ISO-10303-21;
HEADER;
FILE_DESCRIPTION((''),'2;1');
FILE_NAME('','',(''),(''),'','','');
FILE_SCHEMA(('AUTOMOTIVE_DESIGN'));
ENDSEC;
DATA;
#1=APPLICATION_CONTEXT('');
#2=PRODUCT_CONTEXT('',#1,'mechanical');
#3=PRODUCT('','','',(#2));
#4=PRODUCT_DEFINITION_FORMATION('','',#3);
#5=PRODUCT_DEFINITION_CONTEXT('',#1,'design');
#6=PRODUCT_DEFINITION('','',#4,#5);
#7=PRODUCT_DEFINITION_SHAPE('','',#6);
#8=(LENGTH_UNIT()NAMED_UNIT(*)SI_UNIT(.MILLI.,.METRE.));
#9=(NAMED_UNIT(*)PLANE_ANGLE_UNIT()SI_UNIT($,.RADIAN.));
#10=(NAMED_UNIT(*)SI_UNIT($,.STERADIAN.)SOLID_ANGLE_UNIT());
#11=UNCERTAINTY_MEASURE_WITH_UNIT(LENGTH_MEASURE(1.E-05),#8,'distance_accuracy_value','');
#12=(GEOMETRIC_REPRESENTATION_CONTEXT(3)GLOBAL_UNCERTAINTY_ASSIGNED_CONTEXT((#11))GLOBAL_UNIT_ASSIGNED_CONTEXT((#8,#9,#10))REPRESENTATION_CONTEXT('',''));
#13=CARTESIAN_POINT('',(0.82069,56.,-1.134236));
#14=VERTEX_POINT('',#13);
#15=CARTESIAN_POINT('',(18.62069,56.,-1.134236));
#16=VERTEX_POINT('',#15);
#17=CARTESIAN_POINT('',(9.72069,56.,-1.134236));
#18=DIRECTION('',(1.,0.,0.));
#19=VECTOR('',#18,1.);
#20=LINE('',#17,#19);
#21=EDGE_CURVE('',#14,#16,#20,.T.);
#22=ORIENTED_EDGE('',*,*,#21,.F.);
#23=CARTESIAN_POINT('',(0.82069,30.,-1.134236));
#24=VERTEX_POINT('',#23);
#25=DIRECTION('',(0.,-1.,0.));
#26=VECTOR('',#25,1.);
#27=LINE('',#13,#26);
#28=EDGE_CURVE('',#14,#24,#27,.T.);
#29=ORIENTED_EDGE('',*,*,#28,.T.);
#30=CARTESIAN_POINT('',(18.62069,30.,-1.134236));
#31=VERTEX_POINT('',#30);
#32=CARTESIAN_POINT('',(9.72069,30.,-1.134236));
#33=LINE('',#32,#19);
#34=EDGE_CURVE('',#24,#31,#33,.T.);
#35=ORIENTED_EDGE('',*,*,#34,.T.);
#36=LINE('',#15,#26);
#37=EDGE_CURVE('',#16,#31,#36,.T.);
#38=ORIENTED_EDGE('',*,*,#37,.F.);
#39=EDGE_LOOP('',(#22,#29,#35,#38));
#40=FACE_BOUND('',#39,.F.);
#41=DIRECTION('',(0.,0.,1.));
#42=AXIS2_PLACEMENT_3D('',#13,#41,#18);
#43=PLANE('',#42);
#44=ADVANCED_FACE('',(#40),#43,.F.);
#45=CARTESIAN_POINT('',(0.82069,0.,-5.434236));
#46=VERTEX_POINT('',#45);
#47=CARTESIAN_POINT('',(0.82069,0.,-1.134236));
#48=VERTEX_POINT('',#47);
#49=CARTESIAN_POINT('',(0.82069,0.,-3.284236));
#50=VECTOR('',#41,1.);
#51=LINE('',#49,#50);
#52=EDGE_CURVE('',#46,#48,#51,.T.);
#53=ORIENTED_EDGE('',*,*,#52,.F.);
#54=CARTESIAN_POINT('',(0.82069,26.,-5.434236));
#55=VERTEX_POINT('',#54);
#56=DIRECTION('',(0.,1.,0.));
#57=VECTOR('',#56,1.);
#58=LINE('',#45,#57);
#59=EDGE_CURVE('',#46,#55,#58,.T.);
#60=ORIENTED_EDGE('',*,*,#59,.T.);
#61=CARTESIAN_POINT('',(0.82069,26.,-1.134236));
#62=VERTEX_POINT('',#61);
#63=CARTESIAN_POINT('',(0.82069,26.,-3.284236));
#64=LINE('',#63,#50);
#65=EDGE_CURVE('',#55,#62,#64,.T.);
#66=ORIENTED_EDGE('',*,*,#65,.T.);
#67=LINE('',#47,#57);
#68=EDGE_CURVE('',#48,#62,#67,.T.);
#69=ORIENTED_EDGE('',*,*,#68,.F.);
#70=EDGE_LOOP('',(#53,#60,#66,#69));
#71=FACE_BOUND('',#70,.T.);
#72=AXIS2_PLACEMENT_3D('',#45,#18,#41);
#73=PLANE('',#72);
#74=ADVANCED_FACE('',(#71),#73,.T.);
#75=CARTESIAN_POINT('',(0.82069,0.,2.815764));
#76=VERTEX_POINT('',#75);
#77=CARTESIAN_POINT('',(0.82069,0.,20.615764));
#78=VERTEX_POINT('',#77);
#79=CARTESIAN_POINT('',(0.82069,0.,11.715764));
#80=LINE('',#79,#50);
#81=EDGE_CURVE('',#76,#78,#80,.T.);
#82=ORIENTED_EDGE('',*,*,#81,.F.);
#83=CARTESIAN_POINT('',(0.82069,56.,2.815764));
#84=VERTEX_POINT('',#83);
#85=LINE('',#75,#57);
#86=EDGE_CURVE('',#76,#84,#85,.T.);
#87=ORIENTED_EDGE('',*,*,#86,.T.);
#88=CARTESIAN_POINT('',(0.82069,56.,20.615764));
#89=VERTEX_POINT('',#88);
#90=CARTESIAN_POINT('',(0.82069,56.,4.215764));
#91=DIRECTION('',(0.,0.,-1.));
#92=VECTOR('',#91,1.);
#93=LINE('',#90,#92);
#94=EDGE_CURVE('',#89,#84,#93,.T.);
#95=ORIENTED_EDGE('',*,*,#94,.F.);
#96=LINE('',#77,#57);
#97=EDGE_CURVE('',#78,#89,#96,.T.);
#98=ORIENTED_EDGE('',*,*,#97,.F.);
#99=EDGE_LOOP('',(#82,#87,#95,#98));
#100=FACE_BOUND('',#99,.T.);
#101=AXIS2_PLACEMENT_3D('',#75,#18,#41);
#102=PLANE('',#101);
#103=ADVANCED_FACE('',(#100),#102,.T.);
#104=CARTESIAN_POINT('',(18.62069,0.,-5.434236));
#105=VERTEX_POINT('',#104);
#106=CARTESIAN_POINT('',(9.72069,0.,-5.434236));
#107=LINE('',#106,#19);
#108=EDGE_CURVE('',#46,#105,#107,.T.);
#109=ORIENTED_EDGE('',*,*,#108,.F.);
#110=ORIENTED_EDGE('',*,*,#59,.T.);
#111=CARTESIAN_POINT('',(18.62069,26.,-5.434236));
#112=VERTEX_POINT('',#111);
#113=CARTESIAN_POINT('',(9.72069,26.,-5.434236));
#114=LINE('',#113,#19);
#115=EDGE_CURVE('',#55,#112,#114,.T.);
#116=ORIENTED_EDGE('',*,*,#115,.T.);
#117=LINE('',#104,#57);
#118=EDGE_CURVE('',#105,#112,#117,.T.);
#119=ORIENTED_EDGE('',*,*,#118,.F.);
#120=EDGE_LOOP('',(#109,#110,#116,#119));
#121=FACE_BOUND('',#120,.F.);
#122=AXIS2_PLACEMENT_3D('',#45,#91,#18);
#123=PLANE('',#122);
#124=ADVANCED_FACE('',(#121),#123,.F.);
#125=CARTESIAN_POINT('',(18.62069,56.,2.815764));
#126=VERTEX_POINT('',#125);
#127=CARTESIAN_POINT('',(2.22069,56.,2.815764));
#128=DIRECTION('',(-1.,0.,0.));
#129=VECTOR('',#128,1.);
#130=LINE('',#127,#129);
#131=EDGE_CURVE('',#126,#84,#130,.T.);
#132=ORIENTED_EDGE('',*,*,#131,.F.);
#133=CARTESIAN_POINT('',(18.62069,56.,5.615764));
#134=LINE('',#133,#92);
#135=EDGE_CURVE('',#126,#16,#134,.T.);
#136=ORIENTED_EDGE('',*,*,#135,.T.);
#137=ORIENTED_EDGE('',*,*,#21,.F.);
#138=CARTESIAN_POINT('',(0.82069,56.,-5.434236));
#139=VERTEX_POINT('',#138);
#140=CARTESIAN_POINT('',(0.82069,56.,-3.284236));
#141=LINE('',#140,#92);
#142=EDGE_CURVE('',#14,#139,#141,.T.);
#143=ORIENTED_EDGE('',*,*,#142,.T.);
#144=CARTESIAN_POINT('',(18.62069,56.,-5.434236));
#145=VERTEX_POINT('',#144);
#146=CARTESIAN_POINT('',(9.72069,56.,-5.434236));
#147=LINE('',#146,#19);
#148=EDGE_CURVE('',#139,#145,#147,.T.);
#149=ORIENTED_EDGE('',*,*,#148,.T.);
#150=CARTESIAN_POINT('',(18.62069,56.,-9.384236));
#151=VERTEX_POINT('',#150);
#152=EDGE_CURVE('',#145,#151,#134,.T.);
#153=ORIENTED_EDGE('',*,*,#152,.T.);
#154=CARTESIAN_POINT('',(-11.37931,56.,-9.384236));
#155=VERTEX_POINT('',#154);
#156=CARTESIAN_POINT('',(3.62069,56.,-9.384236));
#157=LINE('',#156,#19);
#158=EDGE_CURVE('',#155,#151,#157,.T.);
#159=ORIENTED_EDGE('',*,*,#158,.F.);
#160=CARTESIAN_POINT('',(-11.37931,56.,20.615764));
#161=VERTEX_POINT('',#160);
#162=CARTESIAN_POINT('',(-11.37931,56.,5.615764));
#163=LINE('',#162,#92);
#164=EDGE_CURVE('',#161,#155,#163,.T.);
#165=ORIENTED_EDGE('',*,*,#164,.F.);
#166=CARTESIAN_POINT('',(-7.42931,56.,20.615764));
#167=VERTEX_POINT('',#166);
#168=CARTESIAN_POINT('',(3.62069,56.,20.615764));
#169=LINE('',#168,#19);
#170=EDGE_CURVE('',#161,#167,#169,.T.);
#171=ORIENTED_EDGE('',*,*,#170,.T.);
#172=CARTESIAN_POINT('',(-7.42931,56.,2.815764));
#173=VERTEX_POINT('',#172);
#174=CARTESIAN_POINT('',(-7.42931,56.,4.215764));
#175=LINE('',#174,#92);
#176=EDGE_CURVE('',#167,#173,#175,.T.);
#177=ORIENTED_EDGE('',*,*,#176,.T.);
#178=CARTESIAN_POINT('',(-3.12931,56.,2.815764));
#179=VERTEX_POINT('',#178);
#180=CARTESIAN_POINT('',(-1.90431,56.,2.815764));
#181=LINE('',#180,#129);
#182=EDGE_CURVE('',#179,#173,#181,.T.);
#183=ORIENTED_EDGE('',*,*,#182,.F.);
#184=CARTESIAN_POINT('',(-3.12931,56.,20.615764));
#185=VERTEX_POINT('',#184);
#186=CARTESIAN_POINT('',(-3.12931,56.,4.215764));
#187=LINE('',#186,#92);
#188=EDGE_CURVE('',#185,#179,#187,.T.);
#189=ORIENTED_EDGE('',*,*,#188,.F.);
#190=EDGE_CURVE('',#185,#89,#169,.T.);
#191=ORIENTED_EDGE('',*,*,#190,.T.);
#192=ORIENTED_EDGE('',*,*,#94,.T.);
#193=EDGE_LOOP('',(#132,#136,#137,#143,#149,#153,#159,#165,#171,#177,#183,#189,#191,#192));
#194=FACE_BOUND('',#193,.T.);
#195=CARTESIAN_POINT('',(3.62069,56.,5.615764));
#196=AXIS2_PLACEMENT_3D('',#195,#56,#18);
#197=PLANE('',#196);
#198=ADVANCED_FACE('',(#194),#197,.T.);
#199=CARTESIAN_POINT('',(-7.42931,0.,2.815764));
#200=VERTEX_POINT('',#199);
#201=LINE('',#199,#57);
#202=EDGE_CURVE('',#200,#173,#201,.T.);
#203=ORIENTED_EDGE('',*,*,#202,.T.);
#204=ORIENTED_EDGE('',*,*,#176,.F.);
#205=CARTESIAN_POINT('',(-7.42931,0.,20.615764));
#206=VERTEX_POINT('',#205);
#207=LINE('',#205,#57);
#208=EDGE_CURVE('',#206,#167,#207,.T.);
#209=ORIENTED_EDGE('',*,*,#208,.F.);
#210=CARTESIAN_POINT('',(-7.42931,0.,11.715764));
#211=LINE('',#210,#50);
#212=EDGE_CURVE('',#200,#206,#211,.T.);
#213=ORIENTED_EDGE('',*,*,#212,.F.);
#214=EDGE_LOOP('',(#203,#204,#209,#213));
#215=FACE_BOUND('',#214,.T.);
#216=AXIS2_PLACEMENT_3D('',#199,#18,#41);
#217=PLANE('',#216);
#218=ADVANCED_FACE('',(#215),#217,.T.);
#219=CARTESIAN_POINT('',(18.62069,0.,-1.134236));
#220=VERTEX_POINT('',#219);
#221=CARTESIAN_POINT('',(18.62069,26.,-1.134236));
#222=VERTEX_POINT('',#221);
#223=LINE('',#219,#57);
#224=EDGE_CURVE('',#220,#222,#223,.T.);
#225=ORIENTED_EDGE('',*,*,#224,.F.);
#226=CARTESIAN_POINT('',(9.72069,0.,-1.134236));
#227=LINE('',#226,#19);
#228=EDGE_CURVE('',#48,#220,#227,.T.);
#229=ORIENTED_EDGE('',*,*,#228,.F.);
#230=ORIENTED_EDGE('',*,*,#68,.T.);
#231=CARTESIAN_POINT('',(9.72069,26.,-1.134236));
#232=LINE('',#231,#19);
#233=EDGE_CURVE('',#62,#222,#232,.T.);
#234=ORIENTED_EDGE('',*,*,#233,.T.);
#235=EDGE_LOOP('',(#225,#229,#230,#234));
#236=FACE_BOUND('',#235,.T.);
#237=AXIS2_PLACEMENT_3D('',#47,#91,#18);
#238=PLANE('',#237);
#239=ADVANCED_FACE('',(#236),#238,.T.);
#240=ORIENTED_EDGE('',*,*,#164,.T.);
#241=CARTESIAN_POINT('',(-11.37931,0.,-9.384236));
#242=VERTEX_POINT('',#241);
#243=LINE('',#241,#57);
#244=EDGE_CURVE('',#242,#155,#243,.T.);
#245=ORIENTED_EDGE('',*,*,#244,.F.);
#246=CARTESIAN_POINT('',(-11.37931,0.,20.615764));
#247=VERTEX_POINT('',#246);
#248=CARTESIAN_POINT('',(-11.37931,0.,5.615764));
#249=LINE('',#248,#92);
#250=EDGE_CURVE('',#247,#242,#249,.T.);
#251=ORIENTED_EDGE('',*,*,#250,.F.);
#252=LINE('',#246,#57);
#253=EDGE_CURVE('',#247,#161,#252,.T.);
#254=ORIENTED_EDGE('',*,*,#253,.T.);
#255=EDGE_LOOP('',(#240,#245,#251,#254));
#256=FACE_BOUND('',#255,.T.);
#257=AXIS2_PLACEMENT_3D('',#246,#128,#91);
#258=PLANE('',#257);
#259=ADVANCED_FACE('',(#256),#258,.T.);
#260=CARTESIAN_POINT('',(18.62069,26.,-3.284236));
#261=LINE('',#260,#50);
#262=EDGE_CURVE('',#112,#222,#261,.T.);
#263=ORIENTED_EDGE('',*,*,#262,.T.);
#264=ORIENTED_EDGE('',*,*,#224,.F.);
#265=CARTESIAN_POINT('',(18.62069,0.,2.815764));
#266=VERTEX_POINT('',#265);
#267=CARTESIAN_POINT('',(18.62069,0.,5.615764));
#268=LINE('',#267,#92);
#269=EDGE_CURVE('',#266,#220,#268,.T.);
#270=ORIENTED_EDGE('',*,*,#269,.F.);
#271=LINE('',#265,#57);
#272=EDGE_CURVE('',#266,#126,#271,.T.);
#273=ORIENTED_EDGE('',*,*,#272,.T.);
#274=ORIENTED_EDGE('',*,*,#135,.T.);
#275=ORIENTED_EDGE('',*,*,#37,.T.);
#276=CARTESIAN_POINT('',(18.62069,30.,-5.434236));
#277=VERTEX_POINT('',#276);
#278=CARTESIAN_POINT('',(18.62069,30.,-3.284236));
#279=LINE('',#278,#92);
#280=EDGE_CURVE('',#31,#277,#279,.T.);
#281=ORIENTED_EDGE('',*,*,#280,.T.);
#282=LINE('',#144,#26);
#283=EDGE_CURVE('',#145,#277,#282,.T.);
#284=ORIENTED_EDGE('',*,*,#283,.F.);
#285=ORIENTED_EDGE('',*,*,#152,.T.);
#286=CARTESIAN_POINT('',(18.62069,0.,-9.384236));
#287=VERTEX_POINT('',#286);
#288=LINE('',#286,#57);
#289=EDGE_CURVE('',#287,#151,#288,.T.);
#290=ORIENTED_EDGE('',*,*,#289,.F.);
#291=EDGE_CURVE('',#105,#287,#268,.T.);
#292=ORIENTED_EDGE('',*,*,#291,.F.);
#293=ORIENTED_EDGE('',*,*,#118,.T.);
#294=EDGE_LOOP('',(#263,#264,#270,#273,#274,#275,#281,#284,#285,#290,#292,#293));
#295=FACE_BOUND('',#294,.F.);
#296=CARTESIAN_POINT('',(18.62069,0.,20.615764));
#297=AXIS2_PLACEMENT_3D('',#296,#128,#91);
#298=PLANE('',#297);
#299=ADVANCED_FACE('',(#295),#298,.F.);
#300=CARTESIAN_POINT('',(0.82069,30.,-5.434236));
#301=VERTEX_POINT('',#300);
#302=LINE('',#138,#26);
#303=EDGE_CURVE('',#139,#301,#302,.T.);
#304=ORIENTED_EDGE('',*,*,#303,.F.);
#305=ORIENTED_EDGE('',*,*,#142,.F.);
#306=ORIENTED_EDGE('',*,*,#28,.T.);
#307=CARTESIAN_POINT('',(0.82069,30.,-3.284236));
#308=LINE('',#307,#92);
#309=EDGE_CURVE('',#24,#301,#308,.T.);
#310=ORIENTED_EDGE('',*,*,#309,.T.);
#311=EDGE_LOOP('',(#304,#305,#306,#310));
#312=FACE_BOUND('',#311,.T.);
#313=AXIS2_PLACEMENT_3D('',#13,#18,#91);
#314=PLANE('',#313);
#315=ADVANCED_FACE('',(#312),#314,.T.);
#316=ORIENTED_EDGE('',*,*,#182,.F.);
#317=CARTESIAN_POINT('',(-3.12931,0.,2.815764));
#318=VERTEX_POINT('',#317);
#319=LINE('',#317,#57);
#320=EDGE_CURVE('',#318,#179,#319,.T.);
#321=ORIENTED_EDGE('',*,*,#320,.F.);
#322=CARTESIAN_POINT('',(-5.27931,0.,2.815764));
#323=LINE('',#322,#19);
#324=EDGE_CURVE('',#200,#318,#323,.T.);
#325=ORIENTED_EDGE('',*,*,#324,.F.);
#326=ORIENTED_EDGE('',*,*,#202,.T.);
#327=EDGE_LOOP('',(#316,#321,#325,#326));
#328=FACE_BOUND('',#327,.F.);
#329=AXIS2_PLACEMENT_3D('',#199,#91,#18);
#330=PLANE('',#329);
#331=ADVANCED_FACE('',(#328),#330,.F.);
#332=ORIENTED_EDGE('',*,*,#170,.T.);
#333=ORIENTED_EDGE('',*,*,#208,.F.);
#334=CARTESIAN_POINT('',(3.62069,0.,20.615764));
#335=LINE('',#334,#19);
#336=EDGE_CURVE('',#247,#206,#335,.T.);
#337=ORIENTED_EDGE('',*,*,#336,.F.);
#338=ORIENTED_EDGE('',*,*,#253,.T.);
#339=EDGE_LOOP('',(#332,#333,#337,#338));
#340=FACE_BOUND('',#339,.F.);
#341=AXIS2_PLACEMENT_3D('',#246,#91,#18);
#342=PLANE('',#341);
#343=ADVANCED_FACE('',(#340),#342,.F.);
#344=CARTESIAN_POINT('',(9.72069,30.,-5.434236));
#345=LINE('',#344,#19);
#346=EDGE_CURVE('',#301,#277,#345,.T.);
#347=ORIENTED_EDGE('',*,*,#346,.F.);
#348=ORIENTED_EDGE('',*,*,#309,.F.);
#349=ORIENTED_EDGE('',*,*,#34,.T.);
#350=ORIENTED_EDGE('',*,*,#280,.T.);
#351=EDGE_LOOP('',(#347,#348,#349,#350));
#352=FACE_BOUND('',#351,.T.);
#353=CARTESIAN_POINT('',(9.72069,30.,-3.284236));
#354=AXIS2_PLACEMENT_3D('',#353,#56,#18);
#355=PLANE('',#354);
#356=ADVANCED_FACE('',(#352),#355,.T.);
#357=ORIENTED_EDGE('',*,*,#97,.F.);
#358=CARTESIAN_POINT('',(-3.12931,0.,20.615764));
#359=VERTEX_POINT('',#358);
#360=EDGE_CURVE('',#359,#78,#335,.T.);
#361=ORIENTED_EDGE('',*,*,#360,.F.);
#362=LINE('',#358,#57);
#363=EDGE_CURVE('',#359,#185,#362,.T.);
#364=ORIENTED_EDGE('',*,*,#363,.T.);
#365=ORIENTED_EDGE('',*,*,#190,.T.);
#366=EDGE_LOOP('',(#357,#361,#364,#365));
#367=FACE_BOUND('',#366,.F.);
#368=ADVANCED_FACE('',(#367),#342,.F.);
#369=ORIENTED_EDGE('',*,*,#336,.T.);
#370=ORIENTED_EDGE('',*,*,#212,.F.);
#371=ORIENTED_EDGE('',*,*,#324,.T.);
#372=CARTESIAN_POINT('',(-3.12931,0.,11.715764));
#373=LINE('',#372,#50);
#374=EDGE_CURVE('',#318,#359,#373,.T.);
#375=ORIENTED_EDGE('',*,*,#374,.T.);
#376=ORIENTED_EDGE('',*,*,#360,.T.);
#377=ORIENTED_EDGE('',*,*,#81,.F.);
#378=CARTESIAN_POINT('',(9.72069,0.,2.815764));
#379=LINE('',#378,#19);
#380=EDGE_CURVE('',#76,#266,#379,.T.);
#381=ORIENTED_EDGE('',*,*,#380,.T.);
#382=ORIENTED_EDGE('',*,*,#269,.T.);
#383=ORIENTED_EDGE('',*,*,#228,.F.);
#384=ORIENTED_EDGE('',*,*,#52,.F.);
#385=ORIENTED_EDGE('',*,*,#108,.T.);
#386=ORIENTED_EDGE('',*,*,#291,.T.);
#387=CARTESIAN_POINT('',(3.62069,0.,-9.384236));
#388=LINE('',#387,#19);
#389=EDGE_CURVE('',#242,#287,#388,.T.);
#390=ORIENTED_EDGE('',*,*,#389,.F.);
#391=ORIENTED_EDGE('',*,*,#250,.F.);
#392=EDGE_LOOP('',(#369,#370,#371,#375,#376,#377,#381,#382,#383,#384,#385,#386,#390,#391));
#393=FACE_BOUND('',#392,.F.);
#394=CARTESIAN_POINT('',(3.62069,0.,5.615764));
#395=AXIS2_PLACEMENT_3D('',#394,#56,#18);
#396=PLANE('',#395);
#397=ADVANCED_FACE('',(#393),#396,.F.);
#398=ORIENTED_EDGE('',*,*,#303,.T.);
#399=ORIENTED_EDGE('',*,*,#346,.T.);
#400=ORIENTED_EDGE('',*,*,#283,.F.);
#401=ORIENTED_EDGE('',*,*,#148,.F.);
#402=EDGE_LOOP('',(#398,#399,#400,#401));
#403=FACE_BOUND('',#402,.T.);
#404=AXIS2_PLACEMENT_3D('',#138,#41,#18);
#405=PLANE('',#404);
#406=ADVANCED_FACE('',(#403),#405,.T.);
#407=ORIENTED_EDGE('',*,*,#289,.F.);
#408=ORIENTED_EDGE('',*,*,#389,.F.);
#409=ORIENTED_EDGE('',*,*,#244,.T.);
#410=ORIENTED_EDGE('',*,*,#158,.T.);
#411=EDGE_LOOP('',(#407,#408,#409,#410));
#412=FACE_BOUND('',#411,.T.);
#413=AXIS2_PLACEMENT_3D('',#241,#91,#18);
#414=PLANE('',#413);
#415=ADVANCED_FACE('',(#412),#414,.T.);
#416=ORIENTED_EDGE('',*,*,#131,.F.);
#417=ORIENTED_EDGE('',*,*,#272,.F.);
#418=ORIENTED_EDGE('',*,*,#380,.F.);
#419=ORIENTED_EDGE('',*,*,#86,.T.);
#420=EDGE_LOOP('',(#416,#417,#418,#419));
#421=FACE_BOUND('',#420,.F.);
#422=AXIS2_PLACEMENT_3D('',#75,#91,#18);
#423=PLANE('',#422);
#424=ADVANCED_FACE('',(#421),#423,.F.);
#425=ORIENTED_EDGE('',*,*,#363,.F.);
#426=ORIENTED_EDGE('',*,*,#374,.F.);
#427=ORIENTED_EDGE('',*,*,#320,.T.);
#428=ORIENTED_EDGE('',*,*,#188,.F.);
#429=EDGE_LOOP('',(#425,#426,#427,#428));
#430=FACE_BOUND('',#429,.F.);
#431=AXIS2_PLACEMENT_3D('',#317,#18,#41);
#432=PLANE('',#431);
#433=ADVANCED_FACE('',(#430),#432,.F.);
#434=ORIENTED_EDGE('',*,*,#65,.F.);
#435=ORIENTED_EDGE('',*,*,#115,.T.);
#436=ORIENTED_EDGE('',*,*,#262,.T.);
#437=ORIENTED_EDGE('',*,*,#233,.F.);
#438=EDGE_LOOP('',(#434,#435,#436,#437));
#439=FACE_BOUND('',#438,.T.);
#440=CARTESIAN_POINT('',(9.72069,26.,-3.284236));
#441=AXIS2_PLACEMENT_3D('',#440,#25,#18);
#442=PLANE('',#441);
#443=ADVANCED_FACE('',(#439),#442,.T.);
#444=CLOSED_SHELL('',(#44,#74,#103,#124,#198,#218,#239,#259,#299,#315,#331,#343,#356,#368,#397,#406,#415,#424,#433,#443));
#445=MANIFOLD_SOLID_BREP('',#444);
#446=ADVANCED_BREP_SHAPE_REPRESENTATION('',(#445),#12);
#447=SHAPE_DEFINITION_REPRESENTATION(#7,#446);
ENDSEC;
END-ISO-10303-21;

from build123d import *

# Parameters (mm, degrees)
ESQUISSE1_W             = 30
ESQUISSE1_H             = 30
BOSS_EXTRU_1_DEPTH      = 56
ESQUISSE2_W             = 17.8
ESQUISSE2_H             = 4.3
ENL_V_MAT_EXTRU_1_DEPTH = 26
ESQUISSE3_W             = 4.3
ESQUISSE3_H             = 17.8
ESQUISSE3_W_2           = 17.8
ENL_V_MAT_EXTRU_2_DEPTH = 57
ESQUISSE4_W             = 17.8
ESQUISSE4_H             = 4.3
ENL_V_MAT_EXTRU_3_DEPTH = 26


with BuildPart() as part:
    # Esquisse1 → Boss.-Extru.1 (new body)
    with BuildSketch(Plane(origin=(0, 0, 0), x_dir=(1, 0, 0), z_dir=(0, 1, 0))):
        with Locations((3.620689655, -5.615763547)):
            Rectangle(ESQUISSE1_W, ESQUISSE1_H)
    extrude(amount=BOSS_EXTRU_1_DEPTH)

    # Esquisse2 → Enlèv. mat.-Extru.1 (cut)
    with BuildSketch(Plane.XZ):
        with Locations((9.720689655, -3.284236453)):
            Rectangle(ESQUISSE2_W, ESQUISSE2_H)
    extrude(amount=-ENL_V_MAT_EXTRU_1_DEPTH, mode=Mode.SUBTRACT)

    # Esquisse3 → Enlèv. mat.-Extru.2 (cut, through all)
    with BuildSketch(Plane.XZ):
        with Locations((-5.279310345, 11.715763547)):
            Rectangle(ESQUISSE3_W, ESQUISSE3_H)
        with Locations((9.720689655, 11.715763547)):
            Rectangle(ESQUISSE3_W_2, ESQUISSE3_H)
    extrude(amount=-ENL_V_MAT_EXTRU_2_DEPTH, mode=Mode.SUBTRACT)

    # Esquisse4 → Enlèv. mat.-Extru.3 (cut)
    with BuildSketch(Plane(origin=(0, 56, 0), x_dir=(1, 0, 0), z_dir=(0, 1, 0))):
        with Locations((9.720689655, 3.284236453)):
            Rectangle(ESQUISSE4_W, ESQUISSE4_H)
    extrude(amount=-ENL_V_MAT_EXTRU_3_DEPTH, mode=Mode.SUBTRACT)


solid = part.part
